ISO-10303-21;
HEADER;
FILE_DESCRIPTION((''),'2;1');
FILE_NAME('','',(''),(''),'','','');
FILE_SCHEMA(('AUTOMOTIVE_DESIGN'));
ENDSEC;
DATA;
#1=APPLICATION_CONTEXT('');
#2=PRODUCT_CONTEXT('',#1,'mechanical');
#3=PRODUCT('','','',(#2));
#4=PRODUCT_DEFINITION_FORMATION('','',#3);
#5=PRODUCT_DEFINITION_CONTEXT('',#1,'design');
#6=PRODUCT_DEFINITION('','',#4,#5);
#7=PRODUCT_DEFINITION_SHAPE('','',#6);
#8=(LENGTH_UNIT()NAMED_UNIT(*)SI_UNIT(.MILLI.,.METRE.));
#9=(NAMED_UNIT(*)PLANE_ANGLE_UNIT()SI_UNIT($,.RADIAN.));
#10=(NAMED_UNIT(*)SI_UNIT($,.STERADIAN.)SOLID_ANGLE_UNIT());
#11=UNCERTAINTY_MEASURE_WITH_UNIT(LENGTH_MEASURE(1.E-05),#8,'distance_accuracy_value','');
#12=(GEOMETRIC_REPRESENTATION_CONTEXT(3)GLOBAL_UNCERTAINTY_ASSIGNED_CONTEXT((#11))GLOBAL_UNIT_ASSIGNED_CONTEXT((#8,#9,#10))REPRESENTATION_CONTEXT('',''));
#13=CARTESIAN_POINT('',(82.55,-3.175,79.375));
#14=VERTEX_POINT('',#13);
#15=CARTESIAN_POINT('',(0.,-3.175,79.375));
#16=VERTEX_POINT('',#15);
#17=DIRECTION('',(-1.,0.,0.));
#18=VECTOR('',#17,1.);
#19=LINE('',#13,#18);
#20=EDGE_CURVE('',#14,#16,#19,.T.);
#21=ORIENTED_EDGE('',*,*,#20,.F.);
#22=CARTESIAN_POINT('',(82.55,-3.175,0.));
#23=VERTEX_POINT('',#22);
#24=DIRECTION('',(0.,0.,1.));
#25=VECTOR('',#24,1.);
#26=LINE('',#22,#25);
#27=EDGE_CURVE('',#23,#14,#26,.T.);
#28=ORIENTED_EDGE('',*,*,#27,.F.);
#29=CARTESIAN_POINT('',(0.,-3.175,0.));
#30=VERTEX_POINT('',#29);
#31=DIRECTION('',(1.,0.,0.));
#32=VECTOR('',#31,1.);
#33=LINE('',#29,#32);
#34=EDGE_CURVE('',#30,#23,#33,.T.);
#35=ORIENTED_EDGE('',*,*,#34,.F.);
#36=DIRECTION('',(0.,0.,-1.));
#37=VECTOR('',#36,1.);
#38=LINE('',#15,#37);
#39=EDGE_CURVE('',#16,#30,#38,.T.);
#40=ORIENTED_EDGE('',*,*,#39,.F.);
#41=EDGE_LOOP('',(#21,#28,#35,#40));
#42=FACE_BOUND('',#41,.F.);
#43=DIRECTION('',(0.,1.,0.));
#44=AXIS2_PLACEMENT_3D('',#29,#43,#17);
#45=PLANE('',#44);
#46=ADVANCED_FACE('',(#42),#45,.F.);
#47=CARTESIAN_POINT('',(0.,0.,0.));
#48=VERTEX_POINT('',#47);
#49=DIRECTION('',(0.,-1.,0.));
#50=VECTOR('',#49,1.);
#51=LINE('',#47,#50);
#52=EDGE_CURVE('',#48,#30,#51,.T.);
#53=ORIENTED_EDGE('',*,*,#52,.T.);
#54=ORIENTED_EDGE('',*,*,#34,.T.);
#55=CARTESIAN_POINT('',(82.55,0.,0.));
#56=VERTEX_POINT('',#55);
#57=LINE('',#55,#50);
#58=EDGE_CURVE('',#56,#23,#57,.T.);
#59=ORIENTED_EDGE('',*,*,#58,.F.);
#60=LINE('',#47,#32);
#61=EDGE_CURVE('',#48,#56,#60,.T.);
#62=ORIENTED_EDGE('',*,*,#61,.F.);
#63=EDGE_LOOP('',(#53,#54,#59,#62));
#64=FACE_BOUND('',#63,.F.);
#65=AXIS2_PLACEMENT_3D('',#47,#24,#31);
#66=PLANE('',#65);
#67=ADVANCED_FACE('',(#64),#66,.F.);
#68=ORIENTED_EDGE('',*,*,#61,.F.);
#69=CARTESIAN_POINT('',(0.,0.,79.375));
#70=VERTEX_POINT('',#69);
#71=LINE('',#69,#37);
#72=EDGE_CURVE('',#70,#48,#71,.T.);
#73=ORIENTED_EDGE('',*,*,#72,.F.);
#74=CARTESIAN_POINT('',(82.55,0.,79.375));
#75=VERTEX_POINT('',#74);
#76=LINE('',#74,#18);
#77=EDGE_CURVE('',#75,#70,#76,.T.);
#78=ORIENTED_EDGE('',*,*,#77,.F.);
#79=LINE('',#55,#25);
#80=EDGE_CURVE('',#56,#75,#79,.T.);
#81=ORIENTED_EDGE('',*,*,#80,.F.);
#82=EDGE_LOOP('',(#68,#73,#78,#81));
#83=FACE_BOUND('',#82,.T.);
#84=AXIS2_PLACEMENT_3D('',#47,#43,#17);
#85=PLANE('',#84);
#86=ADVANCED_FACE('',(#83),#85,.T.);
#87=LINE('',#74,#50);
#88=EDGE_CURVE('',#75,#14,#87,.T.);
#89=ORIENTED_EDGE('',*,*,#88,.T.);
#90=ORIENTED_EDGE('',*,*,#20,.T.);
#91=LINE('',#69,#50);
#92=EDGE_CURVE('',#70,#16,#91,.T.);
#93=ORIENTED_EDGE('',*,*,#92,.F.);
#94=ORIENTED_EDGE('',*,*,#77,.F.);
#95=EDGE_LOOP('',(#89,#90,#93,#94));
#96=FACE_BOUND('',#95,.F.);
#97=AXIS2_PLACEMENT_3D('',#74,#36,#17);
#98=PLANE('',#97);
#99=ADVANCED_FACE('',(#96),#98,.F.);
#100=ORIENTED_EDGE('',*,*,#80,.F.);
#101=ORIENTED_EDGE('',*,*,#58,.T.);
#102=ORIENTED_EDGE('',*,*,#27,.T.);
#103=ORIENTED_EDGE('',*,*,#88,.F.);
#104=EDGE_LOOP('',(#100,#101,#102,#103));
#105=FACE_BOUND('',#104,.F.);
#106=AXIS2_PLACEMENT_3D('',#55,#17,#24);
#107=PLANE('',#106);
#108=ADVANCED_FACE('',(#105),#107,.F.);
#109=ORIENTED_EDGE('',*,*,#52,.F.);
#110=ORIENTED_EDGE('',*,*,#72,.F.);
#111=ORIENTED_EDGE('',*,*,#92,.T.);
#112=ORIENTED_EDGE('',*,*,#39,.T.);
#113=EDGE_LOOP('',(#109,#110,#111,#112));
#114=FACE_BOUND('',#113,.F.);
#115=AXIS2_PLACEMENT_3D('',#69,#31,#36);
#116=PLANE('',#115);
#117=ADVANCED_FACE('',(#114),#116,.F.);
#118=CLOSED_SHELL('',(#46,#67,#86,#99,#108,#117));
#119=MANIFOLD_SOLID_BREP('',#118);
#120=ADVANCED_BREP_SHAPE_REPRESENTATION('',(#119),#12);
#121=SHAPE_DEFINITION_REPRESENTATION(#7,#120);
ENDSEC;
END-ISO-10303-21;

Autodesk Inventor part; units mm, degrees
ref_plane "YZ Plane" through (0, 0, 0) normal (1, 0, 0) x (0, 1, 0)
ref_plane "XZ Plane" through (0, 0, 0) normal (0, 1, 0) x (-1, 0, 0)
ref_plane "XY Plane" through (0, 0, 0) normal (0, 0, 1) x (1, 0, 0)
sketch "Sketch1" plane through (0, 0, 0) normal (0, 1, 0) x (-1, 0, 0)
  line L0 (0, 0) -> (-82.55, 0)
  line L1 (-82.55, 0) -> (-82.55, 79.375)
  line L2 (-82.55, 79.375) -> (0, 79.375)
  line L3 (0, 79.375) -> (0, 0)
  dimension "d0" = 82.55
  dimension "d1" = 79.375
extrude "Extrusion1" add sketch "Sketch1" against normal blind 3.175
properties part number "Electronics Container Part 1"
